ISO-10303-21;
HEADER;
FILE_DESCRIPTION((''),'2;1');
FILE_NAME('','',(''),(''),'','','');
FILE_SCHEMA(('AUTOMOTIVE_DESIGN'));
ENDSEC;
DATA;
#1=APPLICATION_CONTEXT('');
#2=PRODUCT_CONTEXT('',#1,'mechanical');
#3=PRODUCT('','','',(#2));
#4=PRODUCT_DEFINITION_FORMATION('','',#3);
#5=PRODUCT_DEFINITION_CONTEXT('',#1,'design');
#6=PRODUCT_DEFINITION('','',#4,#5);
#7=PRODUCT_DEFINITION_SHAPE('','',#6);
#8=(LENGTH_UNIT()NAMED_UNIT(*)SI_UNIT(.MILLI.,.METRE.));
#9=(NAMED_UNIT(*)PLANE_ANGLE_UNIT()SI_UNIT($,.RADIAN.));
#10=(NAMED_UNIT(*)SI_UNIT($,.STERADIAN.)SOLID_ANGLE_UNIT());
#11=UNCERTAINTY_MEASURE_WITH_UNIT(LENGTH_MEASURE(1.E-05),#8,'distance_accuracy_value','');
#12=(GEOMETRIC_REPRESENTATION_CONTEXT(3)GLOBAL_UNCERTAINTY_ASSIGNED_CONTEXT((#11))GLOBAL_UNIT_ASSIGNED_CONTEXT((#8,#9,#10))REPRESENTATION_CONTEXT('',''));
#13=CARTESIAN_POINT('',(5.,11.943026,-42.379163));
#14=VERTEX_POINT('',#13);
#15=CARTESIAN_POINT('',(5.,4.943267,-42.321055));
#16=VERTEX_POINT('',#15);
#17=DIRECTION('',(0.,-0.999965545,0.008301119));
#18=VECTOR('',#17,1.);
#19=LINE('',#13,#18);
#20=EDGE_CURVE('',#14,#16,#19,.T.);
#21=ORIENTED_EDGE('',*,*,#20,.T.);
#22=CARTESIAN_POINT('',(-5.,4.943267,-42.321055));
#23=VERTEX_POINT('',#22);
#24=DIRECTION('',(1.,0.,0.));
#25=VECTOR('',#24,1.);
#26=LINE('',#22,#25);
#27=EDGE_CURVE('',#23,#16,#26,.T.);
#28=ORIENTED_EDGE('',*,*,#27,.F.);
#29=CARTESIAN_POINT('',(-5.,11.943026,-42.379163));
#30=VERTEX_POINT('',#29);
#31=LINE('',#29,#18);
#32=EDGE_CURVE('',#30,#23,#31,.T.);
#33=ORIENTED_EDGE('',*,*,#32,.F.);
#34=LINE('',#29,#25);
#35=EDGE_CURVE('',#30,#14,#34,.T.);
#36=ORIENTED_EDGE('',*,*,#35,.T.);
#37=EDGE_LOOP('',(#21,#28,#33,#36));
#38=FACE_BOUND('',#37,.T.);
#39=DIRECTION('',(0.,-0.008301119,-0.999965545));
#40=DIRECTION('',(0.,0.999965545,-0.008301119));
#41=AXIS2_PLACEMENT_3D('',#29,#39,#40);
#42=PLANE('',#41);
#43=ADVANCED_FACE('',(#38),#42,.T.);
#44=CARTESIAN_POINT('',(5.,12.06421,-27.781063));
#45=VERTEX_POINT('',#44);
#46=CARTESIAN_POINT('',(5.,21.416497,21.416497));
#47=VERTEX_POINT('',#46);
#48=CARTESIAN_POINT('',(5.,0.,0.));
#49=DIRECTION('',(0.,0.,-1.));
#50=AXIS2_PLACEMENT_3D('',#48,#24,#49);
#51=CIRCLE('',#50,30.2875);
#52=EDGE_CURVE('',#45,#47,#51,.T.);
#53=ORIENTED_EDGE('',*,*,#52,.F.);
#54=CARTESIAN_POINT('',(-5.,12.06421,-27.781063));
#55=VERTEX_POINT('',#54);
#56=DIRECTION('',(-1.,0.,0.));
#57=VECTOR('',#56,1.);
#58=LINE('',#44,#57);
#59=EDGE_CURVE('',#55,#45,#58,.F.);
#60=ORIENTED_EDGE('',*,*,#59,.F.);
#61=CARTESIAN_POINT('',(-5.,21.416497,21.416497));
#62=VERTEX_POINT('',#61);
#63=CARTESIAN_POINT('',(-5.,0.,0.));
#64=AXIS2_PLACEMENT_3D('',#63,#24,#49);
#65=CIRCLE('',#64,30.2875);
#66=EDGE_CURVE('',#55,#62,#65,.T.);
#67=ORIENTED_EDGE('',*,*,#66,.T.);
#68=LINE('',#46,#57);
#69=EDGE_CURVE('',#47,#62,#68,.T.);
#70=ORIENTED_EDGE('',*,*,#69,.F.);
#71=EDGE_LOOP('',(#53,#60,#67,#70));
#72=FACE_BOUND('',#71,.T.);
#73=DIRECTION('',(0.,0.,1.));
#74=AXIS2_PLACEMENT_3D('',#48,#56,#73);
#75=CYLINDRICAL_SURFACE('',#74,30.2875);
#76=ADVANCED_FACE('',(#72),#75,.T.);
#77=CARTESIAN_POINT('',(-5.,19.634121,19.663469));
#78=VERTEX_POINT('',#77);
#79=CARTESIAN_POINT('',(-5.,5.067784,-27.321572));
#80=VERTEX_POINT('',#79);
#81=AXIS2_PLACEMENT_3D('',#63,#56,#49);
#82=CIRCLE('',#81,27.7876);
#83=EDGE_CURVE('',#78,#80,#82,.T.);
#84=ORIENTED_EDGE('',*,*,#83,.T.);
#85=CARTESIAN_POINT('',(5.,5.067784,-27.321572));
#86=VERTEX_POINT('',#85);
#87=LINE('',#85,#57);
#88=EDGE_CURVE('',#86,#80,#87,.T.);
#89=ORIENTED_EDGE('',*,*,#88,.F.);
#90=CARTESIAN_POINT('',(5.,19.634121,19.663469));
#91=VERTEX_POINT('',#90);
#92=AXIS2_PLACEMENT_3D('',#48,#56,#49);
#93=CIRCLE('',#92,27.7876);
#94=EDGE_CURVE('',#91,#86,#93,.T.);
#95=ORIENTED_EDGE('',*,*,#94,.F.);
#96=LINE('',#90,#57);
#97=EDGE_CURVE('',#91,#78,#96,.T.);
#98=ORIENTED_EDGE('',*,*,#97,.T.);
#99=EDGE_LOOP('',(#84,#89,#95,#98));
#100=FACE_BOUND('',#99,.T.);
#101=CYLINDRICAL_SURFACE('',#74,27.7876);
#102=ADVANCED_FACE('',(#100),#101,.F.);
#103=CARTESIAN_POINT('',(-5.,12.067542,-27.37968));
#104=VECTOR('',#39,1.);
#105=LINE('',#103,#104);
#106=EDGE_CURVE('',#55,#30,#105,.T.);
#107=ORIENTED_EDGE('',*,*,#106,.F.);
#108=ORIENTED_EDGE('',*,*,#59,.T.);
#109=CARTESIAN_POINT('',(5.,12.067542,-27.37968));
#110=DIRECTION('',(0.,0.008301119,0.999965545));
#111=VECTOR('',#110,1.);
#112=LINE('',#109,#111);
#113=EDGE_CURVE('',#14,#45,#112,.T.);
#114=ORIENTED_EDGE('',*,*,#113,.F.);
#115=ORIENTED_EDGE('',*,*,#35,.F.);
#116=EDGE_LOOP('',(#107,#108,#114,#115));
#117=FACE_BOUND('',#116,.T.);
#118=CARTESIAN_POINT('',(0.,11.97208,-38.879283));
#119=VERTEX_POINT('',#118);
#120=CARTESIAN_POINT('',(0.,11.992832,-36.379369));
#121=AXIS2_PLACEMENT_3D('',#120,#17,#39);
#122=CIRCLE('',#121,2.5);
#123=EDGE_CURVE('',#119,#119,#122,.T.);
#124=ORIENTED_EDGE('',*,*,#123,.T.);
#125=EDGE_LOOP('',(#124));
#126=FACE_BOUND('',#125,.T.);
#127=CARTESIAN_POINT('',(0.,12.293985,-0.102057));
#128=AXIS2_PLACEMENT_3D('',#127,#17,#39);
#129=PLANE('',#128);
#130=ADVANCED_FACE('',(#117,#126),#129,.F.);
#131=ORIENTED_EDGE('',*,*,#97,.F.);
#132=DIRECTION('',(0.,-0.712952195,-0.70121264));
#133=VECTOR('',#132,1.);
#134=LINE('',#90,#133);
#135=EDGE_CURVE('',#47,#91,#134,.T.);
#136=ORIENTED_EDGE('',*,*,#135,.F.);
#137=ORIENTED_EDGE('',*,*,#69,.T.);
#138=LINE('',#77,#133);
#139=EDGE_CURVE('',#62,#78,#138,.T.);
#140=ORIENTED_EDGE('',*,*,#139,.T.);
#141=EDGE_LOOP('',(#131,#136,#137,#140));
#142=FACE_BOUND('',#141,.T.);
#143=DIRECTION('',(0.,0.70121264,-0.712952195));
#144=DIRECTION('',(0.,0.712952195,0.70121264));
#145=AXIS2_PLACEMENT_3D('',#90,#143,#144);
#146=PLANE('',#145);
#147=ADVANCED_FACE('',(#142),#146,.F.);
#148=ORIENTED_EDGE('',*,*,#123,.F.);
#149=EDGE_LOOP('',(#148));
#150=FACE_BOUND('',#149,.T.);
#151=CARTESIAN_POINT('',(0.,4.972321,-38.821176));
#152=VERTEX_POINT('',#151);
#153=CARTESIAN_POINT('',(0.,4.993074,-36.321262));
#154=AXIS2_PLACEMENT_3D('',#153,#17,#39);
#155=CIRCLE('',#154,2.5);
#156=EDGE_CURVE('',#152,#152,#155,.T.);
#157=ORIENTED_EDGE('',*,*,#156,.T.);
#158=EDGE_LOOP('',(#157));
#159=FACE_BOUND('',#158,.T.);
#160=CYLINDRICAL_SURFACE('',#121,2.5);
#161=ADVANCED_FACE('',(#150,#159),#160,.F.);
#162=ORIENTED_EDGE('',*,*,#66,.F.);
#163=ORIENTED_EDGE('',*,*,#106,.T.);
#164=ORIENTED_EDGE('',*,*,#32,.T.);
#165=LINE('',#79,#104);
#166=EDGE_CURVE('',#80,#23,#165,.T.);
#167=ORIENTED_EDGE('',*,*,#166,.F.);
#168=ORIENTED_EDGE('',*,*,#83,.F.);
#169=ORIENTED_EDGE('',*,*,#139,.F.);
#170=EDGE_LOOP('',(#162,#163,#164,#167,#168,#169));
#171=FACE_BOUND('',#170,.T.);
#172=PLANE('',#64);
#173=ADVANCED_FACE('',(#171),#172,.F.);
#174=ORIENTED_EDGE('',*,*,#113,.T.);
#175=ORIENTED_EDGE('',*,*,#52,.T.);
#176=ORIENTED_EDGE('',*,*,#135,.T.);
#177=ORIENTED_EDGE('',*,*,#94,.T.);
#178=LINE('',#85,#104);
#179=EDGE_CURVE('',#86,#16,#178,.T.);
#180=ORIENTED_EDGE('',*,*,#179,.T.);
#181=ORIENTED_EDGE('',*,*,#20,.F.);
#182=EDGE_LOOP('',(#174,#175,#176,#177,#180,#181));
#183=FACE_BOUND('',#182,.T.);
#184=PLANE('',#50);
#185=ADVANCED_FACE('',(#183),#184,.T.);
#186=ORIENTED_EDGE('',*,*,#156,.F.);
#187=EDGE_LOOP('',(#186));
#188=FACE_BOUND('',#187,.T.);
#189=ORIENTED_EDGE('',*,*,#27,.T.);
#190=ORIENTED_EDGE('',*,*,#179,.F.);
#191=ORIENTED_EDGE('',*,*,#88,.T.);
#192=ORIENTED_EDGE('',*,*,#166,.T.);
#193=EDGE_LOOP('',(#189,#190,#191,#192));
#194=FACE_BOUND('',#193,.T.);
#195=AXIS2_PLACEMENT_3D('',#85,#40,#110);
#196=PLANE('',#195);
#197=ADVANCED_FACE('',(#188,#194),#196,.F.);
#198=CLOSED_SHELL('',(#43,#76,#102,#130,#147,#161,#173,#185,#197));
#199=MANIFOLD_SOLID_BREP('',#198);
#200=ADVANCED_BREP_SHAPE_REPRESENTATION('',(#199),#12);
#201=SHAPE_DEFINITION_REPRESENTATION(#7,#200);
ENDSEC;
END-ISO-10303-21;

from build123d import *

# Parameters (mm, degrees)
BOSS_EXTRUDE1_DEPTH = 5
SKETCH6_W           = 10
SKETCH6_H           = 15
SKETCH6_R           = 2.5
BOSS_EXTRUDE2_DEPTH = 7


with BuildPart() as part:
    # Sketch5 → Boss-Extrude1 (new, symmetric)
    with BuildSketch(Plane(origin=(0, 0, 0), x_dir=(0, 0, -1), z_dir=(1, 0, 0))):
        with BuildLine():
            Line((-19.663469321, 19.634120506), (-21.416496635, 21.416496635))
            ThreePointArc((-21.416496635, 21.416496635), (9.210493666, 28.853066781), (29.864087216, 5.046677222))
            Line((29.864087216, 5.046677222), (27.321571741, 5.067783672))
            ThreePointArc((27.321571741, 5.067783672), (8.228376229, 26.541374087), (-19.663469321, 19.634120506))
        make_face()
    extrude(amount=BOSS_EXTRUDE1_DEPTH, both=True)

    # Sketch6 → Boss-Extrude2 (add)
    with BuildSketch(Plane(origin=(0, 5.294226257, -0.043949516), x_dir=(1, 0, 0), z_dir=(0, -0.9999655451195217, 0.008301118829285392))):
        with Locations((0, -34.778562105)):
            Rectangle(SKETCH6_W, SKETCH6_H)
        with Locations(Location((0, -36.278562105, 0), (0, 0, 270))):
            Circle(SKETCH6_R, mode=Mode.SUBTRACT)
    extrude(amount=-BOSS_EXTRUDE2_DEPTH)


solid = part.part
